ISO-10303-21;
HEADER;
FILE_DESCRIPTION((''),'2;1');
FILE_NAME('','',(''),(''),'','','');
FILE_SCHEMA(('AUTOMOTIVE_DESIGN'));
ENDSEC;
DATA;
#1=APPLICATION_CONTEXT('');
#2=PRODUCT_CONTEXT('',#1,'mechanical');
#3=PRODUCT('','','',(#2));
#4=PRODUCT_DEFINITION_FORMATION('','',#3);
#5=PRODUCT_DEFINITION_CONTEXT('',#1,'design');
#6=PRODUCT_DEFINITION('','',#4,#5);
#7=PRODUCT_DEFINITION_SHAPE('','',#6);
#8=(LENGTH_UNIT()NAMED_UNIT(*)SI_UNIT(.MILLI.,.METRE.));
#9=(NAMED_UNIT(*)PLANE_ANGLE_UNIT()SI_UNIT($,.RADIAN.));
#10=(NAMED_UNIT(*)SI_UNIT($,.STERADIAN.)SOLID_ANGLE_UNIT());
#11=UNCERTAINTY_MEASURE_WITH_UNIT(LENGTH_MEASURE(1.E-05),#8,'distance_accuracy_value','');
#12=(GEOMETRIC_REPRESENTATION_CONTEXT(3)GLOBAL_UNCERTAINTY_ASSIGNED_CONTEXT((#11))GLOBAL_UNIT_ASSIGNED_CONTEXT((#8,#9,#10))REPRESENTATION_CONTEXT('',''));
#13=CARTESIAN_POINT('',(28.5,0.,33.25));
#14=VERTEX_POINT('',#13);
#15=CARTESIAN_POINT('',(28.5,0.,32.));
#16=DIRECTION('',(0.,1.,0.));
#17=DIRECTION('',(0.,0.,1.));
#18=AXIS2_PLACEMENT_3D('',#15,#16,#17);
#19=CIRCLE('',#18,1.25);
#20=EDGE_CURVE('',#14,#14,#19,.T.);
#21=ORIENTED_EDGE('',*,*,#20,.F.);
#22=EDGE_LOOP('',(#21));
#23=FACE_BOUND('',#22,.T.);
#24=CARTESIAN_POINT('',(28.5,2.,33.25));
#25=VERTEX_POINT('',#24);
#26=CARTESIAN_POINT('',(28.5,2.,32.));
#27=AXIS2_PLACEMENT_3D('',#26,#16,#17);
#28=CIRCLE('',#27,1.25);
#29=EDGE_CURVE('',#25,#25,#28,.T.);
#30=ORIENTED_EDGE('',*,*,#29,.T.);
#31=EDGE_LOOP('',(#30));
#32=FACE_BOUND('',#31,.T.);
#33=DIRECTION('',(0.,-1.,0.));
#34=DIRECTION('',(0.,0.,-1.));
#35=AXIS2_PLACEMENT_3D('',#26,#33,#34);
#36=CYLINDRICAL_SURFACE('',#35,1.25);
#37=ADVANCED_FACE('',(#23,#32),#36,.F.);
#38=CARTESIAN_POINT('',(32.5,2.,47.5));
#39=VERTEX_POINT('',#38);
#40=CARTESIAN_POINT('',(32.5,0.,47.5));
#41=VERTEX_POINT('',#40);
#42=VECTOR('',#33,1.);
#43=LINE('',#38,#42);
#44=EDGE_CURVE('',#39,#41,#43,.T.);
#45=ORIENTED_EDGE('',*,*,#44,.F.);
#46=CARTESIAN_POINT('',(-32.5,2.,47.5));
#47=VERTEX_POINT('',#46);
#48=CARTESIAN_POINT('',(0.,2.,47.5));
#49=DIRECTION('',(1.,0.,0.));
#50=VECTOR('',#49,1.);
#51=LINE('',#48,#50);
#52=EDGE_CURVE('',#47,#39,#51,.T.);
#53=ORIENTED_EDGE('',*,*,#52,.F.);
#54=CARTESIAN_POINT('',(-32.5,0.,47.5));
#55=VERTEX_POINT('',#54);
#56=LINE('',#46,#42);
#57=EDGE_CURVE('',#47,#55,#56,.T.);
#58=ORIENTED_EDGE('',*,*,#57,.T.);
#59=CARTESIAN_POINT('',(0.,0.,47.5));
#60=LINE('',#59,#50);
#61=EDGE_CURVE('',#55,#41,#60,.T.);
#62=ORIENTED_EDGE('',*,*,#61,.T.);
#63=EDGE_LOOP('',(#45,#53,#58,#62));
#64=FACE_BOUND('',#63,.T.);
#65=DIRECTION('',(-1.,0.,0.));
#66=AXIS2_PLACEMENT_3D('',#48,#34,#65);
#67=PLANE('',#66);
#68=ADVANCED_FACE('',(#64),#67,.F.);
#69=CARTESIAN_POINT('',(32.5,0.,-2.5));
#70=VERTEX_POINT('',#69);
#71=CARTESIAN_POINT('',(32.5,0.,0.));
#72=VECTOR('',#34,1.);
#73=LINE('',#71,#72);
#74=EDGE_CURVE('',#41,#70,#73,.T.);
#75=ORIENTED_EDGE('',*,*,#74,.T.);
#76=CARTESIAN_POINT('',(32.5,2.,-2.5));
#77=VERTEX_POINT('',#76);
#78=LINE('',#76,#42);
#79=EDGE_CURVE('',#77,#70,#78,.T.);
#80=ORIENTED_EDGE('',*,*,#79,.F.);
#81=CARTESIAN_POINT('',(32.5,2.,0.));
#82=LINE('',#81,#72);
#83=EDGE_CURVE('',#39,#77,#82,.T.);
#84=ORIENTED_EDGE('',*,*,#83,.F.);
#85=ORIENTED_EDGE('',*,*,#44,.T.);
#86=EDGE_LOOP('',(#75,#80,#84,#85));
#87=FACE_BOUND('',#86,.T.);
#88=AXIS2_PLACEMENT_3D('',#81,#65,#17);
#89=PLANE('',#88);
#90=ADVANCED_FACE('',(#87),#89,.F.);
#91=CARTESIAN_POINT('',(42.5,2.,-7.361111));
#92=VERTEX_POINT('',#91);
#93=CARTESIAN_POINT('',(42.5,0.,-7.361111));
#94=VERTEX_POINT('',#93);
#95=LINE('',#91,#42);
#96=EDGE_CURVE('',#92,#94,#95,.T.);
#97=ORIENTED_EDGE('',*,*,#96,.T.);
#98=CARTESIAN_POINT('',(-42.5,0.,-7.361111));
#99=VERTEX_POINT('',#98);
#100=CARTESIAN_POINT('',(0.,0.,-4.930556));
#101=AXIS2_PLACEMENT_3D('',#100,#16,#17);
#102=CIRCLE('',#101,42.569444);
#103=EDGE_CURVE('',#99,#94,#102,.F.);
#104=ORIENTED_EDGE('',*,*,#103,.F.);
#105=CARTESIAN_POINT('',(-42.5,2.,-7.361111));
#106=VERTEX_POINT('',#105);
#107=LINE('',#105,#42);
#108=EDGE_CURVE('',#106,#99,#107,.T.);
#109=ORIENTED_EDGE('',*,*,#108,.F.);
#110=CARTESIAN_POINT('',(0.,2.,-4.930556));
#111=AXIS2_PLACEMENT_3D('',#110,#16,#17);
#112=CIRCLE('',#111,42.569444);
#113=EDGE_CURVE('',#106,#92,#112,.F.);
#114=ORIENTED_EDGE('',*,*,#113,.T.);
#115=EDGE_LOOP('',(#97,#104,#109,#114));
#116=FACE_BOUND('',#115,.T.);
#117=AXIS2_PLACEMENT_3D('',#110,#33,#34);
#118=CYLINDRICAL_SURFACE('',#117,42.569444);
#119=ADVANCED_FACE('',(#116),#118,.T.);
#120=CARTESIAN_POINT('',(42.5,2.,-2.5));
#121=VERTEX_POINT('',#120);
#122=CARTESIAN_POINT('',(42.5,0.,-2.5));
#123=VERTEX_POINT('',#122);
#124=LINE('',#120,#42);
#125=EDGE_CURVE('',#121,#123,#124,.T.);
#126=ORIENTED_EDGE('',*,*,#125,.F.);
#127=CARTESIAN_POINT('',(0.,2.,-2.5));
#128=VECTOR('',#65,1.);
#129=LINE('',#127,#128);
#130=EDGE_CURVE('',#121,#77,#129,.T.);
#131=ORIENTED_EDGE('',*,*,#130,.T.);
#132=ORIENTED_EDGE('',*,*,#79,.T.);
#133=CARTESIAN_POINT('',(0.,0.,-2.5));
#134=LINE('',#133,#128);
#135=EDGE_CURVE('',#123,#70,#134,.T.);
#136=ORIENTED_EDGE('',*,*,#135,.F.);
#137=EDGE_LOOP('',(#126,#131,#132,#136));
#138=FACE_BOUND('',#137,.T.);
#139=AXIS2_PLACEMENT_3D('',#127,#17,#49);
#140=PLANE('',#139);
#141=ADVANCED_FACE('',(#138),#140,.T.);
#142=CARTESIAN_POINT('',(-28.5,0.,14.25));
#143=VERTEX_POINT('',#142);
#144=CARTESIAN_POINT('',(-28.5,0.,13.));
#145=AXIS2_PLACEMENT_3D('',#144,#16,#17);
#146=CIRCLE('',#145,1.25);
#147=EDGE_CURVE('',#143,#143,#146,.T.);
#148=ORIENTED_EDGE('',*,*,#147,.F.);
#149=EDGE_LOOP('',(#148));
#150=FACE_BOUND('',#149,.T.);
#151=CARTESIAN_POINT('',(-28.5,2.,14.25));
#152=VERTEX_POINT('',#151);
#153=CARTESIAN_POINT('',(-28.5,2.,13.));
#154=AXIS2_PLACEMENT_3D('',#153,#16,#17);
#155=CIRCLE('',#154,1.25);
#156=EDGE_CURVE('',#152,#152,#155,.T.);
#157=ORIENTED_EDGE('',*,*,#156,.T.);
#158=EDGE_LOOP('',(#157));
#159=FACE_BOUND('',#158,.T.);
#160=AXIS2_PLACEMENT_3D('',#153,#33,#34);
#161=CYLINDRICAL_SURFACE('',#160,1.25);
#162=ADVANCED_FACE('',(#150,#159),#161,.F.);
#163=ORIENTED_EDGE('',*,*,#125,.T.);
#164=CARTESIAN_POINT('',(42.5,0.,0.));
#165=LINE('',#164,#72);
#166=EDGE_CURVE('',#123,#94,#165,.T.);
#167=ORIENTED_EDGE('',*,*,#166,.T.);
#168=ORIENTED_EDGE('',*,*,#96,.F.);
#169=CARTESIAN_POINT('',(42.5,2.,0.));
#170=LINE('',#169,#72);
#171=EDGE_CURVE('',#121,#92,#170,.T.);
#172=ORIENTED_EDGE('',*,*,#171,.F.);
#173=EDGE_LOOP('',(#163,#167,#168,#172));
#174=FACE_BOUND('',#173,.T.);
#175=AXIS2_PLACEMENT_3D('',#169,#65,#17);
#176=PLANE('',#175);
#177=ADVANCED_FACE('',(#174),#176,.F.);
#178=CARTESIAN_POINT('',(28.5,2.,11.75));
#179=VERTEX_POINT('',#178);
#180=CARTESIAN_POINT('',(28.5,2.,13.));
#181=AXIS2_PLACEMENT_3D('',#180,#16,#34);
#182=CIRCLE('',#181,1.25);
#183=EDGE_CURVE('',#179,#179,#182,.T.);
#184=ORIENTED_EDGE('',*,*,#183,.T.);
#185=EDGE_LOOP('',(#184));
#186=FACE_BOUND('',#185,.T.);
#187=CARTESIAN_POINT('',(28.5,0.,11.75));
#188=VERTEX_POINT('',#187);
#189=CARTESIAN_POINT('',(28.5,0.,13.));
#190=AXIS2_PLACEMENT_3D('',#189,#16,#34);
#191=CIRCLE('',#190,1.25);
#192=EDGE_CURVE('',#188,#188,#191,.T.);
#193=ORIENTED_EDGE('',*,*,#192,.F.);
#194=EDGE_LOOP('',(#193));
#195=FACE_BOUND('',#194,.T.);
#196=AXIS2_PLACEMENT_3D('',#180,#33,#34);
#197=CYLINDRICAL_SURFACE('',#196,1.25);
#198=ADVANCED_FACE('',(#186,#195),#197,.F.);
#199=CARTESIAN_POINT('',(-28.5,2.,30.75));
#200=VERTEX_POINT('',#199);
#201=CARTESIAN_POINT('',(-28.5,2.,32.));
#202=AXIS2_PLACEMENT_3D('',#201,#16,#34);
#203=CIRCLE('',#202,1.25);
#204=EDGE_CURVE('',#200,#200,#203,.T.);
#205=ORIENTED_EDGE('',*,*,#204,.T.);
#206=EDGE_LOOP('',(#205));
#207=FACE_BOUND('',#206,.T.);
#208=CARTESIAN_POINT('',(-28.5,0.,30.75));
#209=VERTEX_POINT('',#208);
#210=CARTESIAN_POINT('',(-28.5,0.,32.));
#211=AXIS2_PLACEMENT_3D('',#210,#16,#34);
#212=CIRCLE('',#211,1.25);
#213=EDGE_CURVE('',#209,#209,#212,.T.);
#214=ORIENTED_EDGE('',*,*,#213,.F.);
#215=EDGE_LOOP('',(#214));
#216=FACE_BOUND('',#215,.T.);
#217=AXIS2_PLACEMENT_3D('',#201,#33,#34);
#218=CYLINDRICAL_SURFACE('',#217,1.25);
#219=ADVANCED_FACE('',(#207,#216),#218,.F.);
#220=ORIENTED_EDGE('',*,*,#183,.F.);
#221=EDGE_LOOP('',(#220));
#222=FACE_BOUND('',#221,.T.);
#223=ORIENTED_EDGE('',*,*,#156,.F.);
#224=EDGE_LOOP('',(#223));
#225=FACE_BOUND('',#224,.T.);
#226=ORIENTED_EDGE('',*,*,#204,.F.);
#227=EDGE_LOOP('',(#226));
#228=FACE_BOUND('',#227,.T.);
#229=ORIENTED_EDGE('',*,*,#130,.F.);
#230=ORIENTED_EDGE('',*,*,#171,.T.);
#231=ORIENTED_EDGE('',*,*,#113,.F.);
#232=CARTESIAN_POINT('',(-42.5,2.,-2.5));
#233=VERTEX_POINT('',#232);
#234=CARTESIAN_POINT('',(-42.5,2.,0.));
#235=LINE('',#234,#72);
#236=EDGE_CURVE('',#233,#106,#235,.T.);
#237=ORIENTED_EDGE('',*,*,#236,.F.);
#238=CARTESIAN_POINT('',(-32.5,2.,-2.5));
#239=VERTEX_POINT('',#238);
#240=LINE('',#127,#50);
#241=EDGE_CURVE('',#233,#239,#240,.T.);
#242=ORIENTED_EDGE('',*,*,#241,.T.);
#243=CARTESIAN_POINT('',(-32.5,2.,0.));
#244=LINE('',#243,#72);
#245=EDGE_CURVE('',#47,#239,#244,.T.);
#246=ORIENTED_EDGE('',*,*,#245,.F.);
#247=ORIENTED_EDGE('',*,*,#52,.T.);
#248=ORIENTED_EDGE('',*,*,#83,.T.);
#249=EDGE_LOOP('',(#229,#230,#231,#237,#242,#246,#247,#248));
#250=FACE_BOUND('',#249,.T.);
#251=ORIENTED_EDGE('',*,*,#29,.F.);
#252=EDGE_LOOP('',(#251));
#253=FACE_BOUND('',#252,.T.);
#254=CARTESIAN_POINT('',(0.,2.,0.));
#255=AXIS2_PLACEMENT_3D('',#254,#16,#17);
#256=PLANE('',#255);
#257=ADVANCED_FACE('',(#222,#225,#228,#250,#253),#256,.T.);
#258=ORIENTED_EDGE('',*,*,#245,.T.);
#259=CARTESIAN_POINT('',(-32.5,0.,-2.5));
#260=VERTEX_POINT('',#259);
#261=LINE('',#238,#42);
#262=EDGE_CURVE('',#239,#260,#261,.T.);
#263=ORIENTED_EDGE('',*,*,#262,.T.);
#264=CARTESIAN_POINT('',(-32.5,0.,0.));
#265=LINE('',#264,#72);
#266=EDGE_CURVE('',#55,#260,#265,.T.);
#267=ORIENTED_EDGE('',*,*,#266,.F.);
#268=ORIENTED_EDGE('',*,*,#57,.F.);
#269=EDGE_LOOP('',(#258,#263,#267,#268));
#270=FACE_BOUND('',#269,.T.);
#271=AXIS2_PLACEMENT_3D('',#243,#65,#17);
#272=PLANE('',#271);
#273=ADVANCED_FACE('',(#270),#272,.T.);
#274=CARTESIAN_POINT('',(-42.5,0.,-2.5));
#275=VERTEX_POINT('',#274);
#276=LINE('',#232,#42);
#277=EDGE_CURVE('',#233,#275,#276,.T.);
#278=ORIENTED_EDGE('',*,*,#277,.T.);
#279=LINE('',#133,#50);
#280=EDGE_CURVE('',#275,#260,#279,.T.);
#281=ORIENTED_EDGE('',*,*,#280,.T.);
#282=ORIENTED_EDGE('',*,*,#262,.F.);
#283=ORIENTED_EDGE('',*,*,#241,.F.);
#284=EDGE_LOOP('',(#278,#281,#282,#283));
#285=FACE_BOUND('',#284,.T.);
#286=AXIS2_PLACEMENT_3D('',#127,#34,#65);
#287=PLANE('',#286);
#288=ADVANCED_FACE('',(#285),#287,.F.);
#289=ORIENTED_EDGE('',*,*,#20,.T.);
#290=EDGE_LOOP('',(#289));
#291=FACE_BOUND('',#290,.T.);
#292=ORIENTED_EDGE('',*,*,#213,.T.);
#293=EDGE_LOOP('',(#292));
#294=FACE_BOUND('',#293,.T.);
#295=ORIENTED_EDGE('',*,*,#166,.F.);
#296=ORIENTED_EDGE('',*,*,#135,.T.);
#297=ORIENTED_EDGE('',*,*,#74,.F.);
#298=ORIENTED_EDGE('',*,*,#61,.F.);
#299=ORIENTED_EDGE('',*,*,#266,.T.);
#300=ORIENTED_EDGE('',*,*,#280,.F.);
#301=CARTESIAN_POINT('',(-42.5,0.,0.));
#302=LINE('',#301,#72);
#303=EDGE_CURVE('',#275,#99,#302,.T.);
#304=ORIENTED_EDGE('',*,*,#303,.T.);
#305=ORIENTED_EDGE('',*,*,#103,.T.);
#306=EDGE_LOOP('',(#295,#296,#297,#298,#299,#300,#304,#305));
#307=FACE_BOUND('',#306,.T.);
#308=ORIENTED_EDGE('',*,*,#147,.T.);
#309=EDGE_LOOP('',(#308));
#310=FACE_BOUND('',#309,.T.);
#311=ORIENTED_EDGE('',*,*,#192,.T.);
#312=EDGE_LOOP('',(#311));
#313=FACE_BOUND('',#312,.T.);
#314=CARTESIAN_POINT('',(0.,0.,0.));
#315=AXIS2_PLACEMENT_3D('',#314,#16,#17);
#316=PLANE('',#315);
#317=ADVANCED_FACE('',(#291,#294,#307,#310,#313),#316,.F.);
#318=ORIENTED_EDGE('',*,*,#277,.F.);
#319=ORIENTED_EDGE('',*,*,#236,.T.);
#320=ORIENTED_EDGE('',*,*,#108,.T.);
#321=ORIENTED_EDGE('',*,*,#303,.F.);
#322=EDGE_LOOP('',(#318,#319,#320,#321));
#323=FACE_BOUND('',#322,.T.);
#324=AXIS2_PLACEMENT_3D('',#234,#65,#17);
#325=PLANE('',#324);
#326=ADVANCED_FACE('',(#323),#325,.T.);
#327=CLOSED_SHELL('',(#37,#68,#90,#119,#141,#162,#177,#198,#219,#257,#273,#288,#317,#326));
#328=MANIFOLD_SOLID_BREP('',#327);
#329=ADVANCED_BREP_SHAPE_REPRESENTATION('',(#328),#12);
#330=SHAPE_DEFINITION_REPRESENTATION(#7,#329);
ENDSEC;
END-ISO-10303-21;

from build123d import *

# Parameters (mm, degrees)
BOSS_EXTRUDE1_DEPTH = 2
SKETCH2_R           = 1.25
CUT_EXTRUDE1_DEPTH  = 2


with BuildPart() as part:
    # Sketch1 → Boss-Extrude1 (new body)
    with BuildSketch(Plane(origin=(0, 0, 0), x_dir=(1, 0, 0), z_dir=(0, 1, 0))):
        with BuildLine():
            Line((-32.5, 2.5), (-32.5, -47.5))
            Line((-32.5, -47.5), (32.5, -47.5))
            Line((32.5, -47.5), (32.5, 2.5))
            Line((32.5, 2.5), (42.5, 2.5))
            Line((42.5, 2.5), (42.5, 7.361111111))
            ThreePointArc((42.5, 7.361111111), (29.229182401, 35.879101507), (1.65e-07, 47.5))
            ThreePointArc((1.65e-07, 47.5), (-29.229182281, 35.87910162), (-42.5, 7.361111111))
            Line((-42.5, 7.361111111), (-42.5, 2.5))
            Line((-42.5, 2.5), (-32.5, 2.5))
        make_face()
    extrude(amount=BOSS_EXTRUDE1_DEPTH)

    # Sketch2 → Cut-Extrude1 (cut)
    with BuildSketch(Plane(origin=(0, 0, 0), x_dir=(1, 0, 0), z_dir=(0, 1, 0))):
        with Locations(Location((-28.5, -13, 0), (0, 0, 270))):
            Circle(SKETCH2_R)
        with Locations(Location((-28.5, -32, 0), (0, 0, 90))):
            Circle(SKETCH2_R)
        with Locations(Location((28.5, -32, 0), (0, 0, 270))):
            Circle(SKETCH2_R)
        with Locations(Location((28.5, -13, 0), (0, 0, 90))):
            Circle(SKETCH2_R)
    extrude(amount=CUT_EXTRUDE1_DEPTH, mode=Mode.SUBTRACT)


solid = part.part
